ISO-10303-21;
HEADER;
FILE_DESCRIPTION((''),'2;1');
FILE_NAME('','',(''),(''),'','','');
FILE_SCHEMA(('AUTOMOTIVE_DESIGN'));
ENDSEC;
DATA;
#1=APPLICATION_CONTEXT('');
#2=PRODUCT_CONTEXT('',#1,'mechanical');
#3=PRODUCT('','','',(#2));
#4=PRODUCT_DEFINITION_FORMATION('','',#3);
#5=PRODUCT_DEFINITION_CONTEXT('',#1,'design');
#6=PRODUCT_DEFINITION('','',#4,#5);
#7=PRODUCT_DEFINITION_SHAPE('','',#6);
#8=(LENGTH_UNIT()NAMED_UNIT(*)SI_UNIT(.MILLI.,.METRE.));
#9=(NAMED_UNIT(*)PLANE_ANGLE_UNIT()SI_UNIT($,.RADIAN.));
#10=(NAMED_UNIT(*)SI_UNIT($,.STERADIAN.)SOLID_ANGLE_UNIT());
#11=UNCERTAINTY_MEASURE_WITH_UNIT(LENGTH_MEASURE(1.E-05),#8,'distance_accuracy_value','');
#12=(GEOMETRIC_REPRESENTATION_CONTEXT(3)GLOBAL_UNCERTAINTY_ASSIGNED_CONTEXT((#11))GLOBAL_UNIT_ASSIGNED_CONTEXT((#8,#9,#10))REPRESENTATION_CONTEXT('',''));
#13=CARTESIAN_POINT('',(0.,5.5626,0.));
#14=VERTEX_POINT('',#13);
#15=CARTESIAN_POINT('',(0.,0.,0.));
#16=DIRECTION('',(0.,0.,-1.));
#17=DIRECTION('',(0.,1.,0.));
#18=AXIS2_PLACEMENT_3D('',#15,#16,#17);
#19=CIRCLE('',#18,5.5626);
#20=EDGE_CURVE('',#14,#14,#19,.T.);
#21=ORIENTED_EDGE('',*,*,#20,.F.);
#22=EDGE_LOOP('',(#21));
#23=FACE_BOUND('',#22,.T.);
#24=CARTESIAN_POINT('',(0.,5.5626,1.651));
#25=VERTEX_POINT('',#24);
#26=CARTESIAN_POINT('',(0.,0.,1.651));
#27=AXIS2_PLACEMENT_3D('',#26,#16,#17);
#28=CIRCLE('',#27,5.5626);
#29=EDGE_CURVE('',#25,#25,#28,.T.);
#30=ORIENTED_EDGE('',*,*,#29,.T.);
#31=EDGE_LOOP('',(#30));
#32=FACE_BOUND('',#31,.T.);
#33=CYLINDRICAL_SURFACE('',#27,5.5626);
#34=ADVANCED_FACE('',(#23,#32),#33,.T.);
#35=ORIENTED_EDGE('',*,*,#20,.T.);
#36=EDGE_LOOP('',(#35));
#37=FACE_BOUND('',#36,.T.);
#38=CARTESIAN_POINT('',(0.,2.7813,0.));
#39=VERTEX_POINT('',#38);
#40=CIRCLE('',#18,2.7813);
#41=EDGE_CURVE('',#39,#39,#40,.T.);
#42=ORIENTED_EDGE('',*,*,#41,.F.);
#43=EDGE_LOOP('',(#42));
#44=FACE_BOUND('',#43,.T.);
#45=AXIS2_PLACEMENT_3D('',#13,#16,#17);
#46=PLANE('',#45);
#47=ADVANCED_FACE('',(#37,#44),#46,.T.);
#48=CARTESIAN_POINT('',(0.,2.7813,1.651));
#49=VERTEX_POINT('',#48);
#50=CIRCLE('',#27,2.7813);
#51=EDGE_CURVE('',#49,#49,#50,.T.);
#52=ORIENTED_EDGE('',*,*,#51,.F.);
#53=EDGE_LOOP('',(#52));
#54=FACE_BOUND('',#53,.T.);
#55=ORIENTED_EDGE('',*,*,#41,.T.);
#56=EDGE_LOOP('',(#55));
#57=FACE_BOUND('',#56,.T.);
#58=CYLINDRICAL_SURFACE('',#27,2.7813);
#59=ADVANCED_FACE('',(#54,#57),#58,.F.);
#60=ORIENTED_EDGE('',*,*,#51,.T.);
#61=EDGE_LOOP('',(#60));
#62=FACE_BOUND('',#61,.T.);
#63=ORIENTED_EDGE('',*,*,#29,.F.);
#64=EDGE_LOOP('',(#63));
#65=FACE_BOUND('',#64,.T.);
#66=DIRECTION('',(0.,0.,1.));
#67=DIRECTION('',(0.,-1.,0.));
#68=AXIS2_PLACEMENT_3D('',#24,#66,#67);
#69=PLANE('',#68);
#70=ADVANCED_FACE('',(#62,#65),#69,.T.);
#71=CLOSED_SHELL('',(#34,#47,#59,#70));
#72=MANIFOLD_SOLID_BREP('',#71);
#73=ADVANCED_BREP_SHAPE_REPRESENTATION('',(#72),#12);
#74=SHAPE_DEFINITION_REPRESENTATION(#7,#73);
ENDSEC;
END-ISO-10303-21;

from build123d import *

# Parameters (mm, degrees)
SKETCH2_W = 1.651
SKETCH2_H = 2.7813


with BuildPart() as part:
    # Sketch2 → Revolve1 (revolve)
    with BuildSketch(Plane(origin=(0, 0, 0), x_dir=(0, 0, -1), z_dir=(1, 0, 0))):
        with Locations((-0.8255, 4.17195)):
            Rectangle(SKETCH2_W, SKETCH2_H)
    revolve(axis=Axis((0, 0, 1.651), (0, 0, 1)))


solid = part.part
